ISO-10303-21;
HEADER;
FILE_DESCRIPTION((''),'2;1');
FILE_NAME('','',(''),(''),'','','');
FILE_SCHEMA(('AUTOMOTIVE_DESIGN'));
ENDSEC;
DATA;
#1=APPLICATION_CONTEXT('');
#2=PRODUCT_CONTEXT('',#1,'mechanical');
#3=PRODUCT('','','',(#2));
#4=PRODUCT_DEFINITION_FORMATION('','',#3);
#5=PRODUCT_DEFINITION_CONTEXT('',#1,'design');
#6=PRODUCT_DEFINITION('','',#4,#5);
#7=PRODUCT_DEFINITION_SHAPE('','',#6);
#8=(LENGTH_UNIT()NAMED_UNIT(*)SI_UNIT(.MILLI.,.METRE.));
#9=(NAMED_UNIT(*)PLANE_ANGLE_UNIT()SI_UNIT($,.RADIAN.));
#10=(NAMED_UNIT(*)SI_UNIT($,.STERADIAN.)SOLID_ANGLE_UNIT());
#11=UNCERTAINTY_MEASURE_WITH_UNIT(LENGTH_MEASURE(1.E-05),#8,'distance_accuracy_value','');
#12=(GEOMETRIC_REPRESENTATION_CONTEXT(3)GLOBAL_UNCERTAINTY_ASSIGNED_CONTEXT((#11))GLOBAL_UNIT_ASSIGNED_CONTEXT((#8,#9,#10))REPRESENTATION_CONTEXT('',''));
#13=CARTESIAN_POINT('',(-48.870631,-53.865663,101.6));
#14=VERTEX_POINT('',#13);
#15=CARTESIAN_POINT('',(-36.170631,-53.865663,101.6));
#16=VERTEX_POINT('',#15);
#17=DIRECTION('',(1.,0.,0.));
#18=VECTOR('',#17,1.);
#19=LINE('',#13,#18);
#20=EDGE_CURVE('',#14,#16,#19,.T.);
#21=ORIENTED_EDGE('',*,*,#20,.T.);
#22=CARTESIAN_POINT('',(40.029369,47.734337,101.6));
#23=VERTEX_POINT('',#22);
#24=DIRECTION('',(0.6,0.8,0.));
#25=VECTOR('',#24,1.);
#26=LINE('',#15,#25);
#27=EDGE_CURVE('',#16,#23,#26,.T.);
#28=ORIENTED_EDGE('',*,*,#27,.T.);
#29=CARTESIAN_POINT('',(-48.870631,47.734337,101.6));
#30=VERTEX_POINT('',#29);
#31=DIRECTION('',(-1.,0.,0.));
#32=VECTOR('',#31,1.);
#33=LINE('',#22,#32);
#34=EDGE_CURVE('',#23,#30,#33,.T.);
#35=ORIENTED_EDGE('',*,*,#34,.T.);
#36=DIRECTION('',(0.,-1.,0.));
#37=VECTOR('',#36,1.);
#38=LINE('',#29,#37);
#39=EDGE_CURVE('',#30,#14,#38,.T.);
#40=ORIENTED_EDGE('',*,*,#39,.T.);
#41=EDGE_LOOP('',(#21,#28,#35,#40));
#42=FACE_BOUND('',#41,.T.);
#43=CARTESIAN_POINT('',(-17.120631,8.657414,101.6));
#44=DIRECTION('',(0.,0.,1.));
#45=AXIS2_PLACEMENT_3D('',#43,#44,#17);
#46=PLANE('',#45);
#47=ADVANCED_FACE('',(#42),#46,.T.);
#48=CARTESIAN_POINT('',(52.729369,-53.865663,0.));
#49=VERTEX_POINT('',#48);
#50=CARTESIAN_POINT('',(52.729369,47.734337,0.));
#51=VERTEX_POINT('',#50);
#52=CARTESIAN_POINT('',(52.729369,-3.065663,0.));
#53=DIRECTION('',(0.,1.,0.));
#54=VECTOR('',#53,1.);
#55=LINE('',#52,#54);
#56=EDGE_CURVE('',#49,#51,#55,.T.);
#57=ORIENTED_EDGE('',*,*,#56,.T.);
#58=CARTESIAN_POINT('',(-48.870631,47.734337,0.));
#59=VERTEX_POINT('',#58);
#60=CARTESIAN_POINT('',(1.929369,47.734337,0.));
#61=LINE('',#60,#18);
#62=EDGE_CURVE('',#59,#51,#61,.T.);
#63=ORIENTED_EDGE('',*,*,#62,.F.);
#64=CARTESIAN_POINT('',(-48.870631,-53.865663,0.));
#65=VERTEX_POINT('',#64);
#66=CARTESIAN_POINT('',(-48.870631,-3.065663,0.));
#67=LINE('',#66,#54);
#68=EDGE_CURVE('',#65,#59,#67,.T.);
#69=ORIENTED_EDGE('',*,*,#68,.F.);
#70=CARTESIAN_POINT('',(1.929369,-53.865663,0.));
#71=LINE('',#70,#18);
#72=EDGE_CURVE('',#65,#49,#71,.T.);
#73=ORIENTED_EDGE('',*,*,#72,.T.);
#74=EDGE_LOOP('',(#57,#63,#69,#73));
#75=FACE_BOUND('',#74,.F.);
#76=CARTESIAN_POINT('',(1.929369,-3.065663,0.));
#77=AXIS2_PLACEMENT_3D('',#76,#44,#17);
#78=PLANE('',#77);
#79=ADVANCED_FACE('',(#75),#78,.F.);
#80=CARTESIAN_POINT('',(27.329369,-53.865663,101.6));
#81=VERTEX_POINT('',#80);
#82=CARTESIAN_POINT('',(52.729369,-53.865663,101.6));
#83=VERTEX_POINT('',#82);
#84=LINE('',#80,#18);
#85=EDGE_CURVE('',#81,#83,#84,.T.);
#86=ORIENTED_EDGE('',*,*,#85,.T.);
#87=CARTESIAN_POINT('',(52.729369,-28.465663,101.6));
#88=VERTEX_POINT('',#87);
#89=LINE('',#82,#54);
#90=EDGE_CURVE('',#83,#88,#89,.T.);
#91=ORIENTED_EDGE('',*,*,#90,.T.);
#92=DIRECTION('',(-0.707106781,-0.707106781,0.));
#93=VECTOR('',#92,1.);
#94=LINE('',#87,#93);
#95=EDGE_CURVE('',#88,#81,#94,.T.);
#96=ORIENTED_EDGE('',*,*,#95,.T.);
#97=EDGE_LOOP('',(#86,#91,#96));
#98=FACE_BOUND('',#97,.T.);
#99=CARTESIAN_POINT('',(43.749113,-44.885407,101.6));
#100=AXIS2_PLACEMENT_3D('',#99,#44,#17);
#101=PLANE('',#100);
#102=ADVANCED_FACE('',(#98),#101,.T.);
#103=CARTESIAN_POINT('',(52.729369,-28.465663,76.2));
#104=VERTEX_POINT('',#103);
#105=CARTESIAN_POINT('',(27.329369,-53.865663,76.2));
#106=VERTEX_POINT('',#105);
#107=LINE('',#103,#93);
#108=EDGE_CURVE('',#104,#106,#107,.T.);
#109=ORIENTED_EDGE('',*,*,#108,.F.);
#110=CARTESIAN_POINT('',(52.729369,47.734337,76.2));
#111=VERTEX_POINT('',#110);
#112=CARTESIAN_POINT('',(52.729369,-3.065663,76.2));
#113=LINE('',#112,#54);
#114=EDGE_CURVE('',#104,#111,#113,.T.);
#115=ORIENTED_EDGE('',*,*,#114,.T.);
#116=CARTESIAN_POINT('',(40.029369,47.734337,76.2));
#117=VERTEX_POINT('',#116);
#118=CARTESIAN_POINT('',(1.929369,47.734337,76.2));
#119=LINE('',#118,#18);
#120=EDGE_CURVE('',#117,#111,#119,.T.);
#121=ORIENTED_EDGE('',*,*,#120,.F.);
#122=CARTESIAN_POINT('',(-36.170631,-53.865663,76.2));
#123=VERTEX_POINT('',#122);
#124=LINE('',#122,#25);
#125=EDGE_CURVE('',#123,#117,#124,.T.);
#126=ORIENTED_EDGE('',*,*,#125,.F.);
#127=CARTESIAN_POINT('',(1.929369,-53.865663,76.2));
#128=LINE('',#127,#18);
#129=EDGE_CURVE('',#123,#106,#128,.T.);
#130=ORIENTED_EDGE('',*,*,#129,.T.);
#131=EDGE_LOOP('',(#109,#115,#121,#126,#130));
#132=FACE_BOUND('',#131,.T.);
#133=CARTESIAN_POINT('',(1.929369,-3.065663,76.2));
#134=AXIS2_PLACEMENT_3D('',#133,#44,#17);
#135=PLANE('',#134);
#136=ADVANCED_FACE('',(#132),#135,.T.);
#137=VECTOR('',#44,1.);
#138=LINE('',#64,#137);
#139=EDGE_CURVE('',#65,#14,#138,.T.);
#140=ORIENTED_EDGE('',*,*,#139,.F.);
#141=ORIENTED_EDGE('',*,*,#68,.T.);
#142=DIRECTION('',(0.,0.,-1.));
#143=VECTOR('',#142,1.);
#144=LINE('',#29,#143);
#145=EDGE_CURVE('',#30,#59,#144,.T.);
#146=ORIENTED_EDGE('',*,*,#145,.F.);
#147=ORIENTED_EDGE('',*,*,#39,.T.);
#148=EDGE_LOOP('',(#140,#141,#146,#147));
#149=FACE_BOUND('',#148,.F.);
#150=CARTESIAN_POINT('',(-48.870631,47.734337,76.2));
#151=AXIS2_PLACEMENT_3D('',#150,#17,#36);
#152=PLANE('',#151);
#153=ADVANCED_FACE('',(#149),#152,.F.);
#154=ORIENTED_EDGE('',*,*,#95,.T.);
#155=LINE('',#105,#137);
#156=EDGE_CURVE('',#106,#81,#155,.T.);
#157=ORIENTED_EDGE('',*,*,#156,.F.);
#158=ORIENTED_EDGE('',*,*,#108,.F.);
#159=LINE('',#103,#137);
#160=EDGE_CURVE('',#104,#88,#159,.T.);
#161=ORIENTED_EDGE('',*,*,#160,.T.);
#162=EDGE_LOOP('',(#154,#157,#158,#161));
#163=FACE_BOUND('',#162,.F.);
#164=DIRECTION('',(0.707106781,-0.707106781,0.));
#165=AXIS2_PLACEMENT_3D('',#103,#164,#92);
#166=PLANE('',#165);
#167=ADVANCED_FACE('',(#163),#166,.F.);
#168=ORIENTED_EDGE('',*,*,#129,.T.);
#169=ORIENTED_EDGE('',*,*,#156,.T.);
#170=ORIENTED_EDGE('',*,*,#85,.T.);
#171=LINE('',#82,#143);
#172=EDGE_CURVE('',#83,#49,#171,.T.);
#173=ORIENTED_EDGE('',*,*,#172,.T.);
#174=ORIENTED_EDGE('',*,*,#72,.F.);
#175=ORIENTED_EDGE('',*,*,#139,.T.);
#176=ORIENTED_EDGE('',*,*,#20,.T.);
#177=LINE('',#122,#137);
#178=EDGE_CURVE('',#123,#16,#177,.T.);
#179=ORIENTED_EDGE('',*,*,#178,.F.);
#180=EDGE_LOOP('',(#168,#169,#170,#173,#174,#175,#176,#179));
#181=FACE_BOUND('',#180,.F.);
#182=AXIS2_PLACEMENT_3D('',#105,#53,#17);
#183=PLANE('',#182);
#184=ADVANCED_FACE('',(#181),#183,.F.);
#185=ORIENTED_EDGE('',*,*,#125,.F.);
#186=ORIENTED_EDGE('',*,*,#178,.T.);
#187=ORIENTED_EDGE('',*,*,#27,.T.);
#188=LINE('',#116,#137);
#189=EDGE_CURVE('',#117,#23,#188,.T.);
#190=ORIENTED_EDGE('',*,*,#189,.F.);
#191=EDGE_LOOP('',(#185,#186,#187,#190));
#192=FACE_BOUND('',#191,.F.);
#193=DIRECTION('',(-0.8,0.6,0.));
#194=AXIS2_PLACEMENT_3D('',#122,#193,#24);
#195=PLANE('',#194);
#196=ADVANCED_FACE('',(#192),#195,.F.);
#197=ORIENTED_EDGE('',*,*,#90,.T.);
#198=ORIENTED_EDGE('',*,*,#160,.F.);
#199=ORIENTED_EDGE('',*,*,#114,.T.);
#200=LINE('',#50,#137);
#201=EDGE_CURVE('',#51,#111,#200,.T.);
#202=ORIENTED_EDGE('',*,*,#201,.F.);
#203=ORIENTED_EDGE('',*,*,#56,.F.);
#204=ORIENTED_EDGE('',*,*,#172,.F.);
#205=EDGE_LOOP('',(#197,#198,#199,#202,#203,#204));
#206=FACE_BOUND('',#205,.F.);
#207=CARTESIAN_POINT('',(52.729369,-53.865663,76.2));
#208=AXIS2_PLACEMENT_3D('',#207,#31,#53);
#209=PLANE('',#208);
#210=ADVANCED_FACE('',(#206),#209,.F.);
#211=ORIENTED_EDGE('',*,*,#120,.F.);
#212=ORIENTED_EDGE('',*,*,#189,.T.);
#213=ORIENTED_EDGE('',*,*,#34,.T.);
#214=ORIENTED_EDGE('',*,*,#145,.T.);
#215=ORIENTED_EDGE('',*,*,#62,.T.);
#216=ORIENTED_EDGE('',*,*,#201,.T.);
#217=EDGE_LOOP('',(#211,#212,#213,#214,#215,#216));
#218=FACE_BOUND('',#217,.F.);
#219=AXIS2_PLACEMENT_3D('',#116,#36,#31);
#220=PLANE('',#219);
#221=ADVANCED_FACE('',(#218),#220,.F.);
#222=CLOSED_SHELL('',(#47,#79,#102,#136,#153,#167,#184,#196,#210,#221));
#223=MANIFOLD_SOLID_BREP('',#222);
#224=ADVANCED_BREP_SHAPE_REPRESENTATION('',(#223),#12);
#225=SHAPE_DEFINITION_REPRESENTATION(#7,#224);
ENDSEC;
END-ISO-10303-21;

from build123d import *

# Parameters (mm, degrees)
F0_W     = 101.6
F0_H     = 101.6
F1_DEPTH = 76.2
F3_DEPTH = 25.4
F5_DEPTH = 25.4


with BuildPart() as f1:
    # F0 (on Top) → F1 (new body)
    with BuildSketch(Plane.XY):
        with Locations((1.929369, -3.065663)):
            Rectangle(F0_W, F0_H)
    extrude(amount=F1_DEPTH)

    # F2 (on face) → F3 (join)
    with BuildSketch(Plane.XY.offset(76.2)):
        Polygon((-48.870631, 47.734337), (-48.870631, -53.865663), (-36.170631, -53.865663), (40.029369, 47.734337), align=None)
    extrude(amount=F3_DEPTH)

    # F4 (on face) → F5 (join)
    with BuildSketch(Plane.XY.offset(76.2)):
        Polygon((52.729369, -28.465663), (27.329369, -53.865663), (52.729369, -53.865663), align=None)
    extrude(amount=F5_DEPTH)


solid = f1.part
